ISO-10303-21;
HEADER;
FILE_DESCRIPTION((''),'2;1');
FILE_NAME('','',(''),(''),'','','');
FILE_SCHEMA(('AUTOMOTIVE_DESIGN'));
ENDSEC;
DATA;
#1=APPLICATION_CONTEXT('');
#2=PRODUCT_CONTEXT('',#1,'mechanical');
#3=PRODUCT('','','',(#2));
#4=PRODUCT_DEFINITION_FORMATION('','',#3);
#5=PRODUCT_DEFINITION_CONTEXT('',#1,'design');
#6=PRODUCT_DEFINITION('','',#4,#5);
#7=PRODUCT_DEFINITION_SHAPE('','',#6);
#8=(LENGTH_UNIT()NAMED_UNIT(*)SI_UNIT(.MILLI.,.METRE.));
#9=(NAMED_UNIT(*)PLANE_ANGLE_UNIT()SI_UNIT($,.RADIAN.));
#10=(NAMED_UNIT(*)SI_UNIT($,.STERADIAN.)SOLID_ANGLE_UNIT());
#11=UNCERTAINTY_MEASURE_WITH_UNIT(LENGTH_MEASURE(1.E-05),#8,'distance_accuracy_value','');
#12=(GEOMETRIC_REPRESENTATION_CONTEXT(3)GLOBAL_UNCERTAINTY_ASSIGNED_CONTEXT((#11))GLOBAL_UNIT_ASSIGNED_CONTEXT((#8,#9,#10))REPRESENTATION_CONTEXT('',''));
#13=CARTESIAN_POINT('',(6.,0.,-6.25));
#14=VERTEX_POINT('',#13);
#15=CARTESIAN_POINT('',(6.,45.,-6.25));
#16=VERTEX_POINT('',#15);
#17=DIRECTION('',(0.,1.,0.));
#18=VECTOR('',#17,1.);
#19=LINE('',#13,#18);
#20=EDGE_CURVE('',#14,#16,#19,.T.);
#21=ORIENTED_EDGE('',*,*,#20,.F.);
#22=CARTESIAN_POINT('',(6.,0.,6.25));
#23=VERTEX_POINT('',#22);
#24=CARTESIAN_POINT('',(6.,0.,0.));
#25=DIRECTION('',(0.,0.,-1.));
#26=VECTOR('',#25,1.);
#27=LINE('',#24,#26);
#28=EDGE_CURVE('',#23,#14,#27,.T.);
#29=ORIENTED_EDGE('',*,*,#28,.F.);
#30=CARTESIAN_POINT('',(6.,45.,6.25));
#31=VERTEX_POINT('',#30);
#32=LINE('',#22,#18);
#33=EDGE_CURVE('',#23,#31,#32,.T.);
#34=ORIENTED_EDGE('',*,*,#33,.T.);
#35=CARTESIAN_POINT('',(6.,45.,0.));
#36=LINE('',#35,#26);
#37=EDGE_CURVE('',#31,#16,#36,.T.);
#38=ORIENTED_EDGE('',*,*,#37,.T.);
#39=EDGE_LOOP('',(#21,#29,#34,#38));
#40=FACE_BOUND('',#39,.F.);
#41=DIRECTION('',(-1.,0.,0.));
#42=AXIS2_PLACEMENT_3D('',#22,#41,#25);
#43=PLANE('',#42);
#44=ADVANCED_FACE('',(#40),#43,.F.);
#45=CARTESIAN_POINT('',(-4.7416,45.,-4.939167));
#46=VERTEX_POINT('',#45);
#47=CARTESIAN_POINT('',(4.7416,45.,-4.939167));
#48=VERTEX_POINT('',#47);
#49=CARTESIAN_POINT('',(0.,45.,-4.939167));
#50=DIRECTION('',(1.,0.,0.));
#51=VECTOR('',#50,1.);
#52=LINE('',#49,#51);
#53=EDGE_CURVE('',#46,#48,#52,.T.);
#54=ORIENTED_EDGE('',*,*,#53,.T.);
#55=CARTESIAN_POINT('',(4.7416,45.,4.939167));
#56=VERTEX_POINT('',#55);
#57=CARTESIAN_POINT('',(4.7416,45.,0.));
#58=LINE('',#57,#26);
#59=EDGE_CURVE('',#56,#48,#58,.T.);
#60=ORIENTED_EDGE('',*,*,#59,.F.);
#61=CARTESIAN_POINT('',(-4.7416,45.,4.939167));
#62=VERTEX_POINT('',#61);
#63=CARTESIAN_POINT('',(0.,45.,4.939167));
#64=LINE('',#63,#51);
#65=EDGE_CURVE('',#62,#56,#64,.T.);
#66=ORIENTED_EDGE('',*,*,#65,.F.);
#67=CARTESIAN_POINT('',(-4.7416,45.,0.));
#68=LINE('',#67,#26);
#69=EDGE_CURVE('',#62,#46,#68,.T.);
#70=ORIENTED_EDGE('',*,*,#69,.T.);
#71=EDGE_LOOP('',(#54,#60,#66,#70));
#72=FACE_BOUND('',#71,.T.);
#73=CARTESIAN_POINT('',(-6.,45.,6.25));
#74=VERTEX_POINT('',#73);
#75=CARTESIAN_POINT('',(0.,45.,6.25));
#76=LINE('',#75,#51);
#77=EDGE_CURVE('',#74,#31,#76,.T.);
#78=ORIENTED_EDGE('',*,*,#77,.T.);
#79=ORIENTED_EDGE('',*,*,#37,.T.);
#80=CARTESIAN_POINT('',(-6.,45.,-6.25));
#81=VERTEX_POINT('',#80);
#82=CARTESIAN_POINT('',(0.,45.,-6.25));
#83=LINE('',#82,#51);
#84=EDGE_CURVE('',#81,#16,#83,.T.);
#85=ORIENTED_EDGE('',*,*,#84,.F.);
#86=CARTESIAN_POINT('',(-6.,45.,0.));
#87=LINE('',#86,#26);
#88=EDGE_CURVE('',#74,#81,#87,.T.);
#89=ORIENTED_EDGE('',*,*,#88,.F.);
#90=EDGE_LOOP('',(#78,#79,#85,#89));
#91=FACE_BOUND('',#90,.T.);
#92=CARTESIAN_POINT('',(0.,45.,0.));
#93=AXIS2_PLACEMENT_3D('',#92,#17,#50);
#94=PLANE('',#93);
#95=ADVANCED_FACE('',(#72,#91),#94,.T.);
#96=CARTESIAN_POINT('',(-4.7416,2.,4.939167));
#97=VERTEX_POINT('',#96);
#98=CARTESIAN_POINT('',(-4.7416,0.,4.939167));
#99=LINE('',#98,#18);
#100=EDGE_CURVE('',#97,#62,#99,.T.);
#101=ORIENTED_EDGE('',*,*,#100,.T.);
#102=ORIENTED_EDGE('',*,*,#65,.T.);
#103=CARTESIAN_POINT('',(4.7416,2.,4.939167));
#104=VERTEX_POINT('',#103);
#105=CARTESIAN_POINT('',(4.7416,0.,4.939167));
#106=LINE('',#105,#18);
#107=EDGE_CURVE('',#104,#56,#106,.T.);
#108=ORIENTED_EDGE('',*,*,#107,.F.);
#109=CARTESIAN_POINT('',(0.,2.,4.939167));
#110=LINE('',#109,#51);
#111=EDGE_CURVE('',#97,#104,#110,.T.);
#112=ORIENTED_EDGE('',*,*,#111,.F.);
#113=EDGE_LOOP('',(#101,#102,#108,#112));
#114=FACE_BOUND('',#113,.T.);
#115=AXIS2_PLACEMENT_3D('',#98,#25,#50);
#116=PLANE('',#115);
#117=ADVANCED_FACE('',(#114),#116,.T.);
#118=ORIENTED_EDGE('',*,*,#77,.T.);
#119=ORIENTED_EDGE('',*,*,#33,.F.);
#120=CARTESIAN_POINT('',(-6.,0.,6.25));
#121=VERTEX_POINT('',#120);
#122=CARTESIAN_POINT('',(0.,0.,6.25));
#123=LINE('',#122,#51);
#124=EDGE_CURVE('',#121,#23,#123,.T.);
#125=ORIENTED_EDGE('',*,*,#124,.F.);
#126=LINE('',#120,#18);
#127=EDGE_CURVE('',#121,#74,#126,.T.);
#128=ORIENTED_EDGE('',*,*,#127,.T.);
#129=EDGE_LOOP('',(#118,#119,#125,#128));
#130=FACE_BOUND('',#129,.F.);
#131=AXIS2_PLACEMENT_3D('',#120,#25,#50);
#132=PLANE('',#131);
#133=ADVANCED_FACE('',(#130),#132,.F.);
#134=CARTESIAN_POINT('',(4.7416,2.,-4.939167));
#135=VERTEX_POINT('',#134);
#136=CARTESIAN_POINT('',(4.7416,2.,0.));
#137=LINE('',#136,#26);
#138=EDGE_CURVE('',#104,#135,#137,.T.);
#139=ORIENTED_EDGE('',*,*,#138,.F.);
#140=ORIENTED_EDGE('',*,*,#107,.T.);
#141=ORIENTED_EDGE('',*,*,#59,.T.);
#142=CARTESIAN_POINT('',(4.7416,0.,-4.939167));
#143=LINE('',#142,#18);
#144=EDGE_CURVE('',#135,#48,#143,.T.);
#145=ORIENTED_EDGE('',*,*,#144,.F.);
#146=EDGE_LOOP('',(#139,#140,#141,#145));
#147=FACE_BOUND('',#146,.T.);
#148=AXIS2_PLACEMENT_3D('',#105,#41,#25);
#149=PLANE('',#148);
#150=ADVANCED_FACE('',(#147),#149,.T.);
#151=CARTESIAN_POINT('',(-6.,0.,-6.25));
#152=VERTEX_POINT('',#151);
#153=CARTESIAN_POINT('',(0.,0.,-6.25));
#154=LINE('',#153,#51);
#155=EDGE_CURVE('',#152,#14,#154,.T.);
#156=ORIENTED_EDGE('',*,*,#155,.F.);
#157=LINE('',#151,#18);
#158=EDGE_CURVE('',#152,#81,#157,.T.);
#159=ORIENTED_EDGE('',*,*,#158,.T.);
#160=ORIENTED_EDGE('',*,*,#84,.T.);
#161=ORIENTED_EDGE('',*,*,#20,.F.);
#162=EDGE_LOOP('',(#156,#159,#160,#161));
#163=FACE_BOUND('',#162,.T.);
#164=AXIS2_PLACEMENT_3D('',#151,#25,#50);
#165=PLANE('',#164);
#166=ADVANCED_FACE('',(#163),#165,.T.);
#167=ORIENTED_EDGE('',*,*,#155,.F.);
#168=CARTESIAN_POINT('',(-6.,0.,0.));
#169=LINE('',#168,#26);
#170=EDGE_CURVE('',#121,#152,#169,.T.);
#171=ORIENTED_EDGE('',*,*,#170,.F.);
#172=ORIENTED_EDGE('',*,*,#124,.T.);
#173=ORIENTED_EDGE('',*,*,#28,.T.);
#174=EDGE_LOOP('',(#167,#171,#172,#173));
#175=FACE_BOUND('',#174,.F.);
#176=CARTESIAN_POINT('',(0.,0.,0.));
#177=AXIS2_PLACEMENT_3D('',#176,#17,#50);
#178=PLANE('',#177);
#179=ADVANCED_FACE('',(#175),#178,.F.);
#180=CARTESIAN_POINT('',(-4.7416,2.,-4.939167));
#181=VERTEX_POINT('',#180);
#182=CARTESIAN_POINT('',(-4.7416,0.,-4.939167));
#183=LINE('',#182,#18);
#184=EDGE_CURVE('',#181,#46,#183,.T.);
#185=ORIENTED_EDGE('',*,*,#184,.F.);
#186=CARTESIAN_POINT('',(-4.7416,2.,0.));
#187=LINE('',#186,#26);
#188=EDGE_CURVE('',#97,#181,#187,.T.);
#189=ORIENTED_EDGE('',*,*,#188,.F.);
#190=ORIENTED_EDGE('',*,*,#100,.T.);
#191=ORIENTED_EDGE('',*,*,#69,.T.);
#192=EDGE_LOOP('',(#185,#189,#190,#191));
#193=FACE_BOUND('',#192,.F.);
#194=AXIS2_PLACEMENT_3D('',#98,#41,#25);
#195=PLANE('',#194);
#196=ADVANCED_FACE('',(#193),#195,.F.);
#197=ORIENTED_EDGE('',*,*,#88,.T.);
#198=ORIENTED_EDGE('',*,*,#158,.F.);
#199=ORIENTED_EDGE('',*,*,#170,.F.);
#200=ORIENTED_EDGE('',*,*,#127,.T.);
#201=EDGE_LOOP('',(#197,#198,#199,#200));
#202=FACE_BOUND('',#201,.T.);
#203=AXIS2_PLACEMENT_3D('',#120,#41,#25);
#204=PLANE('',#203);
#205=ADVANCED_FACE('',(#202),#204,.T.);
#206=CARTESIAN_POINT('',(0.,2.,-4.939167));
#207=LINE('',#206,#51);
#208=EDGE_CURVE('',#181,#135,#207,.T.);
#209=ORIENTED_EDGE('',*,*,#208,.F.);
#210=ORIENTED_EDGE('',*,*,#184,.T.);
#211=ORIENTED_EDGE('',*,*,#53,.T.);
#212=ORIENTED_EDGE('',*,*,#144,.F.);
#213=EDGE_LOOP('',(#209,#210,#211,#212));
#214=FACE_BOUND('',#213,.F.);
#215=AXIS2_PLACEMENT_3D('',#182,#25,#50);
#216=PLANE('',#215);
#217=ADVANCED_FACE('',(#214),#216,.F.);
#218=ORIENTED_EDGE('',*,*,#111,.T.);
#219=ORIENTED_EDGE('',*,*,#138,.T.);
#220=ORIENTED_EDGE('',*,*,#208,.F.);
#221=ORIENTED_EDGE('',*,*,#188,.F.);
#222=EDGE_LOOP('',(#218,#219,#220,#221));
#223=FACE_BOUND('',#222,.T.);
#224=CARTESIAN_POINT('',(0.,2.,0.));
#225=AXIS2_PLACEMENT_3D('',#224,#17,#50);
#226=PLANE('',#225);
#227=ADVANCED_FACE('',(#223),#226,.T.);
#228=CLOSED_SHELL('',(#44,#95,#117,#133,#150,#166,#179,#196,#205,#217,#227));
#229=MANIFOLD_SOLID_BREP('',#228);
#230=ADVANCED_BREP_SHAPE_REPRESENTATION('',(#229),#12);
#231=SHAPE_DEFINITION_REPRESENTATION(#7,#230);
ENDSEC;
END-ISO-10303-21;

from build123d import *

# Parameters (mm, degrees)
SKETCH1_W           = 12
SKETCH1_H           = 12.5
SKETCH1_W_2         = 9.483200932
SKETCH1_H_2         = 9.878334304
BOSS_EXTRUDE1_DEPTH = 45
SKETCH1_2_W         = 9.483200932
SKETCH1_2_H         = 9.878334304
BOSS_EXTRUDE2_DEPTH = 2


with BuildPart() as part:
    # Sketch1 → Boss-Extrude1 (new body)
    with BuildSketch(Plane(origin=(0, 0, 0), x_dir=(1, 0, 0), z_dir=(0, 1, 0))):
        Rectangle(SKETCH1_W, SKETCH1_H)
        Rectangle(SKETCH1_W_2, SKETCH1_H_2, mode=Mode.SUBTRACT)
    extrude(amount=BOSS_EXTRUDE1_DEPTH)

    # Sketch1<2> → Boss-Extrude2 (add)
    with BuildSketch(Plane(origin=(0, 0, 0), x_dir=(1, 0, 0), z_dir=(0, 1, 0))):
        Rectangle(SKETCH1_2_W, SKETCH1_2_H)
    extrude(amount=BOSS_EXTRUDE2_DEPTH)


solid = part.part
